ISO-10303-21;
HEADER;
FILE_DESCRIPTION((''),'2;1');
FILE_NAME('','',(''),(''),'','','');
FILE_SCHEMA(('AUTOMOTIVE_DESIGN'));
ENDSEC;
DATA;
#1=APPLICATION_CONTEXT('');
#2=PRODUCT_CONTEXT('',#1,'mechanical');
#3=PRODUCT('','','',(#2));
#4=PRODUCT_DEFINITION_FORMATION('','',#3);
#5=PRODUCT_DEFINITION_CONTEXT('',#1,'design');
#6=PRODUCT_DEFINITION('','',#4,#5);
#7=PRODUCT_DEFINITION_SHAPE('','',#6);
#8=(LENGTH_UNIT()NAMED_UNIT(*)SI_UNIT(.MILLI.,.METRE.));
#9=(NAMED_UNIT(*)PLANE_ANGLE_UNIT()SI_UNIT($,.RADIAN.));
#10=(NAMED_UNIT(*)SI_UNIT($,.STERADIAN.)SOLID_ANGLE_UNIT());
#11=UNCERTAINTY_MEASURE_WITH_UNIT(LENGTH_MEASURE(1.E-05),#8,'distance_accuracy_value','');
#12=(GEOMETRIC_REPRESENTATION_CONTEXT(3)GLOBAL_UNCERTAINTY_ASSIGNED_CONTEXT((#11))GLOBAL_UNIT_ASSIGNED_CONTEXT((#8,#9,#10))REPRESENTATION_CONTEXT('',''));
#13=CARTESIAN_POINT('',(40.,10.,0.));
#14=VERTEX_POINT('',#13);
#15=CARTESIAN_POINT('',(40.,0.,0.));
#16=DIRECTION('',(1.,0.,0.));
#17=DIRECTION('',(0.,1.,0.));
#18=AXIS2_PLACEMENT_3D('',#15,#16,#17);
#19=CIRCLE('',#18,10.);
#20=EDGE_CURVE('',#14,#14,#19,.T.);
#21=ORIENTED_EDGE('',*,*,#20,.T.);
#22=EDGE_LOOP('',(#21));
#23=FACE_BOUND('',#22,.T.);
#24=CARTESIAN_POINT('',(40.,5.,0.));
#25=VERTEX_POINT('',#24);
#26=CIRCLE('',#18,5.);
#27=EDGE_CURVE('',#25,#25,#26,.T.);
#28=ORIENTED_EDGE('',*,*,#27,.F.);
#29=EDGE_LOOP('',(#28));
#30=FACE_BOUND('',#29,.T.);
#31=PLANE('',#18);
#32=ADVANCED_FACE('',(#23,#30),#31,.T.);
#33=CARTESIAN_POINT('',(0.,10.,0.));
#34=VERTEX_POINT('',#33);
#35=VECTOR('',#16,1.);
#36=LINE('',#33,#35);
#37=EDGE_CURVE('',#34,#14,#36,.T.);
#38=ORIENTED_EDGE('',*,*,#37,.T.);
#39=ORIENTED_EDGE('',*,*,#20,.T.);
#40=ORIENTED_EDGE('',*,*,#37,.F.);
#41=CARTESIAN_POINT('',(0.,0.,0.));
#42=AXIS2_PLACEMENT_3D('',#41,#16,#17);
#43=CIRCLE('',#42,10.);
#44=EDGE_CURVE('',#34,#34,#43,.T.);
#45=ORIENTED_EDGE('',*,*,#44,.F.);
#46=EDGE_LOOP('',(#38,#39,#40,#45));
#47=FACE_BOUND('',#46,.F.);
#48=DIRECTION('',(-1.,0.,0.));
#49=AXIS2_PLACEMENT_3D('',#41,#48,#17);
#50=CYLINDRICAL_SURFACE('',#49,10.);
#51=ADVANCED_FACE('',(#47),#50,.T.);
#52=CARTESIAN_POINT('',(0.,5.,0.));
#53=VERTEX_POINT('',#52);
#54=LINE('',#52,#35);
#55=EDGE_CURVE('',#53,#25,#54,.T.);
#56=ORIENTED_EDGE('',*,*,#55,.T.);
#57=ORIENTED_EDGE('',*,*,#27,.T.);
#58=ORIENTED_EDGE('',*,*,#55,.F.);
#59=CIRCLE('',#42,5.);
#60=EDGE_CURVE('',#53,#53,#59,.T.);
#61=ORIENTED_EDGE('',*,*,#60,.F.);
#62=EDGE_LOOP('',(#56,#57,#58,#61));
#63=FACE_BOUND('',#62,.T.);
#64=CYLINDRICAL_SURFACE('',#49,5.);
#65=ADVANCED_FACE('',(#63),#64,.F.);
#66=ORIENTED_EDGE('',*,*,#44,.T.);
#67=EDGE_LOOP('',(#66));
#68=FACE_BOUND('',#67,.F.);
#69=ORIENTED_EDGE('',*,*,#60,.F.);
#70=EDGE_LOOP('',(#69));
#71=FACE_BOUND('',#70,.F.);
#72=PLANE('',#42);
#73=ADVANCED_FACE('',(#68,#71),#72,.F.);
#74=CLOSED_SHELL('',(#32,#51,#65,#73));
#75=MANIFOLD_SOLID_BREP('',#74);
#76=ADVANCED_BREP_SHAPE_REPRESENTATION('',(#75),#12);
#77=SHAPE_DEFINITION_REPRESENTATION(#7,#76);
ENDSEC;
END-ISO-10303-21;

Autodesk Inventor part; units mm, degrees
ref_plane "YZ Plane" through (0, 0, 0) normal (1, 0, 0) x (0, 1, 0)
ref_plane "XZ Plane" through (0, 0, 0) normal (0, 1, 0) x (-1, 0, 0)
ref_plane "XY Plane" through (0, 0, 0) normal (0, 0, 1) x (1, 0, 0)
sketch "Boceto1" plane through (0, 0, 0) normal (1, 0, 0) x (0, 1, 0)
  circle A0 centre (0, 0) radius 5
  circle A1 centre (0, 0) radius 10
  dimension "d0" = 20
extrude "Extrusión1" add sketch "Boceto1" along normal blind 40
properties part number "UnionPalanca"
